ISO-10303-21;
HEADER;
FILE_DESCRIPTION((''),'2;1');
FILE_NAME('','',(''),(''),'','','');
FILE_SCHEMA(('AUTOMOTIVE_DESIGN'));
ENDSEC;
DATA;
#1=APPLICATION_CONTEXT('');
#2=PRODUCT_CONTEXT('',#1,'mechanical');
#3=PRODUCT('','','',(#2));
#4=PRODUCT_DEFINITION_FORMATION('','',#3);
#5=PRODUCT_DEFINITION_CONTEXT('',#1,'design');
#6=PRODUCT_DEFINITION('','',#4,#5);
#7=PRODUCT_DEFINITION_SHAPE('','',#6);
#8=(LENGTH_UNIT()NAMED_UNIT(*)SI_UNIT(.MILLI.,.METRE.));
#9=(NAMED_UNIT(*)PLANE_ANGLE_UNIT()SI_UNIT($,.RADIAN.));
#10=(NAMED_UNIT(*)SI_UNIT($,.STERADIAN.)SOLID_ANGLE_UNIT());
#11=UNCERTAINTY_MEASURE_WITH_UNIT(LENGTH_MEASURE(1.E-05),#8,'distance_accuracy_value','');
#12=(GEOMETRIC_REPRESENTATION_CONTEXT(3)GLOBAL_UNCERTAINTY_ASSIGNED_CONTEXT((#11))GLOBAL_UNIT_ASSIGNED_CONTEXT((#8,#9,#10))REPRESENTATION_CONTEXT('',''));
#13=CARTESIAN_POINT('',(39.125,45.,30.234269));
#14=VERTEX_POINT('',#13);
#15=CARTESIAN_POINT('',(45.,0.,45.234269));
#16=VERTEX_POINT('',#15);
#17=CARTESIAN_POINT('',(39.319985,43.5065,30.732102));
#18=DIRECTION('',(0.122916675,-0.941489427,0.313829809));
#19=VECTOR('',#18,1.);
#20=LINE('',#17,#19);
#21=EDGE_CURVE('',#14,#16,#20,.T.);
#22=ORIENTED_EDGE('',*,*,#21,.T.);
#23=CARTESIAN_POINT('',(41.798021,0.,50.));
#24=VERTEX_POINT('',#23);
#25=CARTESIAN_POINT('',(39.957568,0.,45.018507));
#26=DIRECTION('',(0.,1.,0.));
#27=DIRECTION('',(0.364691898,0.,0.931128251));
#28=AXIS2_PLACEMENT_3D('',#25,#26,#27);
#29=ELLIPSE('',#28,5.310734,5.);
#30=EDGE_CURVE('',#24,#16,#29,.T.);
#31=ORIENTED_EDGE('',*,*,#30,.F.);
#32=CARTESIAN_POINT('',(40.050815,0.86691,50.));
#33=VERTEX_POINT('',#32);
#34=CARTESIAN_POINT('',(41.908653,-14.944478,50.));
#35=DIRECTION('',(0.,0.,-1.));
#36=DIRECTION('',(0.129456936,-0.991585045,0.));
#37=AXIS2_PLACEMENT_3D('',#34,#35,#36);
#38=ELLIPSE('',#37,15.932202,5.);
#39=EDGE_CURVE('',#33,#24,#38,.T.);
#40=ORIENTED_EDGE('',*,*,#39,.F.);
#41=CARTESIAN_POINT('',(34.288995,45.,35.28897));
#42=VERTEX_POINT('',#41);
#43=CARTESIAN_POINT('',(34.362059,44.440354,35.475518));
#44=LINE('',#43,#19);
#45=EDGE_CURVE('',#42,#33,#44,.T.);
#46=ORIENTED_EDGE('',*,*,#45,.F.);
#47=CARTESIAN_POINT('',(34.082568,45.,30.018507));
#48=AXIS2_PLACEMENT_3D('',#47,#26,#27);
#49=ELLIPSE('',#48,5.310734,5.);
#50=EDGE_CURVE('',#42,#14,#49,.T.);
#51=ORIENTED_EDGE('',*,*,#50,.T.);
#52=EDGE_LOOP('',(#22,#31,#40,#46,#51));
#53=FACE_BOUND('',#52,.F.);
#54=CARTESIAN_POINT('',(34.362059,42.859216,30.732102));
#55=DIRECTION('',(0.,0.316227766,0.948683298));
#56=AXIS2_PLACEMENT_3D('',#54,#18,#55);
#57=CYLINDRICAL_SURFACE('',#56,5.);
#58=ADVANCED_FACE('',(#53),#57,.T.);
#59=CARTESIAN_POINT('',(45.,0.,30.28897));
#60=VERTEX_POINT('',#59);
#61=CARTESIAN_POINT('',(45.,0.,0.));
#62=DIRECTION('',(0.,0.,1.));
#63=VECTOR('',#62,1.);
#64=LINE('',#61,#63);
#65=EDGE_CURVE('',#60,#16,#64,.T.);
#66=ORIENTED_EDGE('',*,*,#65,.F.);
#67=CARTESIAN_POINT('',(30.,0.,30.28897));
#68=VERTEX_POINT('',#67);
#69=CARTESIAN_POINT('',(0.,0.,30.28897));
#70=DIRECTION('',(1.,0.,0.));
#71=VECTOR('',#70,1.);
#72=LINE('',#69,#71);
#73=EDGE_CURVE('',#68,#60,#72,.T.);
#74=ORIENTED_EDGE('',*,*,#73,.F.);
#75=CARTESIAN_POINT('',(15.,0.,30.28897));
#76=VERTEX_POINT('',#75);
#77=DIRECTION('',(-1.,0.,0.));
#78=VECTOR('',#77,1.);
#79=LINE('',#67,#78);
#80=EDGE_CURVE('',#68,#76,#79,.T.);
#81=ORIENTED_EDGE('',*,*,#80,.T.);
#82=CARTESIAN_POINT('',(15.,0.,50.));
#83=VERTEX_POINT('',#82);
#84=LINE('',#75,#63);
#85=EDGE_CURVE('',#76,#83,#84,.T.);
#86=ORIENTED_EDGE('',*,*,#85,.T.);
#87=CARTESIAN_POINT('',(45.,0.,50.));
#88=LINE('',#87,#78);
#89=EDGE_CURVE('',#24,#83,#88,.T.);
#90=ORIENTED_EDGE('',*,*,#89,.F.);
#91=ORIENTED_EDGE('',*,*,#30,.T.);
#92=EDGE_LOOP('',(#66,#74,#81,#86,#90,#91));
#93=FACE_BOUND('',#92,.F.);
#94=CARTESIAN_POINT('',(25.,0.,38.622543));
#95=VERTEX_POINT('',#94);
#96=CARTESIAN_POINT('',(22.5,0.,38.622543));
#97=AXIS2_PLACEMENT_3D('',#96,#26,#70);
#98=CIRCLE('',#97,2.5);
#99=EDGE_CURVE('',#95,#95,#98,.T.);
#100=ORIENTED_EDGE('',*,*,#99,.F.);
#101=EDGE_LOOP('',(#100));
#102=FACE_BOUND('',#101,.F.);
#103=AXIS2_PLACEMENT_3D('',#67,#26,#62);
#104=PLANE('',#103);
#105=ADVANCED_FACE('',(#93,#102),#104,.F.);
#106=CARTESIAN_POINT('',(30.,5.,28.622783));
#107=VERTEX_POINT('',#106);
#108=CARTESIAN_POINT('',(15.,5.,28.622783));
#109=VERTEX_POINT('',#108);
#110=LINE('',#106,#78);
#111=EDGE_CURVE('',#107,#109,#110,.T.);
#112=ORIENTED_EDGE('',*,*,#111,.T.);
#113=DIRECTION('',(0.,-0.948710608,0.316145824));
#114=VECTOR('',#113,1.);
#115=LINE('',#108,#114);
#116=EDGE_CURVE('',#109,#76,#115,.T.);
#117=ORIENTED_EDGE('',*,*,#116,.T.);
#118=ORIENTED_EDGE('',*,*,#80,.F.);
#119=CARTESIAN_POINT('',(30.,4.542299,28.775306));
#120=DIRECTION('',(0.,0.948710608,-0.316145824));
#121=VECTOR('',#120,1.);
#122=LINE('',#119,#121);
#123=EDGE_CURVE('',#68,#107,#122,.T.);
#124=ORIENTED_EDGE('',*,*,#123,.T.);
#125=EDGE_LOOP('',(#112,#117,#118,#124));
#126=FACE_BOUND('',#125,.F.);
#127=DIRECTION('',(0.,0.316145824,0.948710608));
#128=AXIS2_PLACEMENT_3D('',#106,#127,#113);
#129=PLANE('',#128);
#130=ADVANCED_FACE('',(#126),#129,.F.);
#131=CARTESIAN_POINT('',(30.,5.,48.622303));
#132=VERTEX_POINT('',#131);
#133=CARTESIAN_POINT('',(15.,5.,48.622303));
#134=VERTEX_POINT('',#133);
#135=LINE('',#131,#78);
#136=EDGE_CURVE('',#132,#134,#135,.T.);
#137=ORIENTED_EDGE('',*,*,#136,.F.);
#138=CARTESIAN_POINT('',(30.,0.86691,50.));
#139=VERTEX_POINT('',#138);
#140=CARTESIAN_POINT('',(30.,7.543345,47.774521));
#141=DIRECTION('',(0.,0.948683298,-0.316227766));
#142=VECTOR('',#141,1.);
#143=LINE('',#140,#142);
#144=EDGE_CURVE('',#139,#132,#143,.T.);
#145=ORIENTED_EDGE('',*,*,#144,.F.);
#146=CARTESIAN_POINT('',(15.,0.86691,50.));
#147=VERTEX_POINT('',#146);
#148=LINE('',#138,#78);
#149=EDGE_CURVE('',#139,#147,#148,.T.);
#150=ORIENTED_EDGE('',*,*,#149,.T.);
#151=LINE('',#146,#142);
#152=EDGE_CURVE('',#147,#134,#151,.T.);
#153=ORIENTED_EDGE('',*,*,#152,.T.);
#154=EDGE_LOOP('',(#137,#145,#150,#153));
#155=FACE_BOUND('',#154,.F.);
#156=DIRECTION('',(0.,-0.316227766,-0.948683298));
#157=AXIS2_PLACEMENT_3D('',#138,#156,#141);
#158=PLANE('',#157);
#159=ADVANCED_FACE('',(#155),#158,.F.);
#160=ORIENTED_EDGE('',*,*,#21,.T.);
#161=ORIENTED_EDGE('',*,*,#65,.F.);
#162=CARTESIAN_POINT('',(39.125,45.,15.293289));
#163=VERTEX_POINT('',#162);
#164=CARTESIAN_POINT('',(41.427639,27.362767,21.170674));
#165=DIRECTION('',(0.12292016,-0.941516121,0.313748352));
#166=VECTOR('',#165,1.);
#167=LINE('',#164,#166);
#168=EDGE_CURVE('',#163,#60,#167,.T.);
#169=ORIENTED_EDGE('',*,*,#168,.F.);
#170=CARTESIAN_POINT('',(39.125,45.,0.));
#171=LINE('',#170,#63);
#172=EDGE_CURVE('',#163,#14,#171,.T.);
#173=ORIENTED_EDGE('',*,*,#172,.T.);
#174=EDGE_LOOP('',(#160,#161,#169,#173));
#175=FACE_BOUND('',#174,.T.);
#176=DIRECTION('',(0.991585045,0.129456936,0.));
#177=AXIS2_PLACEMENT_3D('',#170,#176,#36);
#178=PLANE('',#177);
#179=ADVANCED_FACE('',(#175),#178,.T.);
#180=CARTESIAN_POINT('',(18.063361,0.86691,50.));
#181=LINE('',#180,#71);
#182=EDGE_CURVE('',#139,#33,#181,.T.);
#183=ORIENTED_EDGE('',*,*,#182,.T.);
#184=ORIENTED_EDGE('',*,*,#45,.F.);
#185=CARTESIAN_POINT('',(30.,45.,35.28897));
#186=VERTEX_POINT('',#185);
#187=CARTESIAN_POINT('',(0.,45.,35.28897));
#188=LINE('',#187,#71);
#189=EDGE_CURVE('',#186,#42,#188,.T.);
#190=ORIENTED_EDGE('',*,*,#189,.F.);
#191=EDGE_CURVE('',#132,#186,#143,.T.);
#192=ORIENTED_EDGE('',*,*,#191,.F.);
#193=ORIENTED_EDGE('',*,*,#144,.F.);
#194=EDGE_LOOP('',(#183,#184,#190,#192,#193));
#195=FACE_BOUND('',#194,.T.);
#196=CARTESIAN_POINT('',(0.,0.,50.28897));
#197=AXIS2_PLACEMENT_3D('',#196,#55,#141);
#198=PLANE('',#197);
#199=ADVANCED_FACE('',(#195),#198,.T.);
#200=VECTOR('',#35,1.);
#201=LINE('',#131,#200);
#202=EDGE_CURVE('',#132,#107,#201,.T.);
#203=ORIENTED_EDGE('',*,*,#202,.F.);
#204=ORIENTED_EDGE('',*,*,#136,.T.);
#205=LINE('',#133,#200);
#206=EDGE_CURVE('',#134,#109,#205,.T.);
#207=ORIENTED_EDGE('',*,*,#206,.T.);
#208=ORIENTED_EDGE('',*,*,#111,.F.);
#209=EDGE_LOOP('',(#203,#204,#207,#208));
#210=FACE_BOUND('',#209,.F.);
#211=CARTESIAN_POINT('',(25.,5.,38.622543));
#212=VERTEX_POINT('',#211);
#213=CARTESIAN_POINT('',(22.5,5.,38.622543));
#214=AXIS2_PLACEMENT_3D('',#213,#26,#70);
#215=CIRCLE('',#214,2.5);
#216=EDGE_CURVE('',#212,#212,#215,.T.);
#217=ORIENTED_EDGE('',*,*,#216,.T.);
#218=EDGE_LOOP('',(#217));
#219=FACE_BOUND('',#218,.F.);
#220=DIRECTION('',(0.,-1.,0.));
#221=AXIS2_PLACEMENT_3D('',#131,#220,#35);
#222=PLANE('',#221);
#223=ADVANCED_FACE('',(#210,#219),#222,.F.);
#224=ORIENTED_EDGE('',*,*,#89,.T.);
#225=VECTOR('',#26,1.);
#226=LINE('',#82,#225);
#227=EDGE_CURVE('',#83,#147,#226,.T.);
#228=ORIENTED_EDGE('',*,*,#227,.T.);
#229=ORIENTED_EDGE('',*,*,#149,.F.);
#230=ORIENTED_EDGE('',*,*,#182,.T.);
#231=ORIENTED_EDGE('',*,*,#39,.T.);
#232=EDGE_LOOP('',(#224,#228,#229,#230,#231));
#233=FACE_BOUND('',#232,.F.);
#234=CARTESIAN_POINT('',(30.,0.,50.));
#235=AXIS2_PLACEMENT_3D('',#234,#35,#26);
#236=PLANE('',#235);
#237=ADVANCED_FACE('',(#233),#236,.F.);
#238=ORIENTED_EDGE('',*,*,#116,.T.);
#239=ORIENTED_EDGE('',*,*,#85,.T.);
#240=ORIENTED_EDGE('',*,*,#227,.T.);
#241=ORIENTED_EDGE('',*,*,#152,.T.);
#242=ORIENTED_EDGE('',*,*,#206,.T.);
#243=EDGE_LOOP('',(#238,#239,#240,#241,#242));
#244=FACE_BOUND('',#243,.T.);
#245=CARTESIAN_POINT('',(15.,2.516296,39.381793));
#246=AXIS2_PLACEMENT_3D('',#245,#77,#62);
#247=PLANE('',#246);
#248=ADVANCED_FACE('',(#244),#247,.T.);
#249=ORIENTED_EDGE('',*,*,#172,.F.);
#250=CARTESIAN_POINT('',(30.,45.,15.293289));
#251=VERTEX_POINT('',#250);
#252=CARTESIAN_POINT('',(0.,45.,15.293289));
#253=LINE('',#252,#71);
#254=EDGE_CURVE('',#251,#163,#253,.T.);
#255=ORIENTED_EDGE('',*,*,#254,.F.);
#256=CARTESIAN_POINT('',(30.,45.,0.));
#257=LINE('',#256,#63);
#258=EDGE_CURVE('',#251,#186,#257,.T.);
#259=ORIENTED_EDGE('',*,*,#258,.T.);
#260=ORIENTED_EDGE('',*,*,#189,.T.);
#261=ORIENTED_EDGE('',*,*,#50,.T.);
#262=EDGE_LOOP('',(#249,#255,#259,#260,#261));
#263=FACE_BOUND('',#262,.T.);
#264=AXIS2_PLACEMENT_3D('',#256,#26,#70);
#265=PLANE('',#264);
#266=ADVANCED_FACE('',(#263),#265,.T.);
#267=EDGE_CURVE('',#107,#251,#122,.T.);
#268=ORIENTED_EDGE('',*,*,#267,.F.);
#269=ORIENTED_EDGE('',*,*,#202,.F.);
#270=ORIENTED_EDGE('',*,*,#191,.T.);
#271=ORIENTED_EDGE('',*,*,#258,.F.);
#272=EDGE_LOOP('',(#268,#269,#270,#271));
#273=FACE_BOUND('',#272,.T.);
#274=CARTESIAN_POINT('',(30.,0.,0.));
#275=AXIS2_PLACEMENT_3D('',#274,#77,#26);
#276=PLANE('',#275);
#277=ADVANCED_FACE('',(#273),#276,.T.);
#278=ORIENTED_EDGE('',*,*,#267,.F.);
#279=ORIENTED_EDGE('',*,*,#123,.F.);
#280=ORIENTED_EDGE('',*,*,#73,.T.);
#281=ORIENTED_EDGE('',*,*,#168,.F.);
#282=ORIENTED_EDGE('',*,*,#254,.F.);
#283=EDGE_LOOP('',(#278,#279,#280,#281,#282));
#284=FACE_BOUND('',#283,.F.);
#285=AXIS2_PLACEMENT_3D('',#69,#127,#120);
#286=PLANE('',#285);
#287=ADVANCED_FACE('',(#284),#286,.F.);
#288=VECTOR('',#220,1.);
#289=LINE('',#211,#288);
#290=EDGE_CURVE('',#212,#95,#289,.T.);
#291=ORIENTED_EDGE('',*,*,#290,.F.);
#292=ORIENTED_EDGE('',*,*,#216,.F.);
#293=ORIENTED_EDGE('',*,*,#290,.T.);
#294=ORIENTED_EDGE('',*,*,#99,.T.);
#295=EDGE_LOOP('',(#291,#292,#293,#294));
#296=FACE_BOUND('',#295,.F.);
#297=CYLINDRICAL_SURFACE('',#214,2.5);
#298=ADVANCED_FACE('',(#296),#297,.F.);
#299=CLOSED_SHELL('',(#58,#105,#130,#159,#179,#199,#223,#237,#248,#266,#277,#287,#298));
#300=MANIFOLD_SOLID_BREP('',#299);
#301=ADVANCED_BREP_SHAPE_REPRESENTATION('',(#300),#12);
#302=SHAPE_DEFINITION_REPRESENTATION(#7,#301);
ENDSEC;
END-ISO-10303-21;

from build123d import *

# Parameters (mm, degrees)
EXTRUDE_1_DEPTH     = 50
CUT_EXTRUDE_3_DEPTH = 58
EXTRUDE_2_DEPTH     = 15
FILLET_1_R          = 5
SKETCH_6_R          = 2.5
CUT_EXTRUDE_4_DEPTH = 15


with BuildPart() as part:
    # Sketch 2 → Extrude 1 (new body)
    with BuildSketch(Plane.XY):
        Polygon((39.125, 45), (45, 0), (30, 0), (30, 45), align=None)
    extrude(amount=EXTRUDE_1_DEPTH)

    # Sketch 4 → Cut-Extrude 3 (cut)
    with BuildSketch(Plane(origin=(0, 0, 0), x_dir=(0, 0, -1), z_dir=(1, 0, 0))):
        Polygon((-50.288969981, 45), (-50.288969981, 0), (-35.288969981, 45), align=None)
        Polygon((0, 0), (-30.288969981, 0), (-15.293288519, 45), (0, 45), align=None)
    extrude(amount=CUT_EXTRUDE_3_DEPTH, mode=Mode.SUBTRACT)

    # Sketch 5 → Extrude 2 (add)
    with BuildSketch(Plane.ZY.offset(-30)):
        Polygon((30.288969981, 0), (50, 0), (50, 0.866909943), (48.622303314, 5), (28.622783152, 5), align=None)
    extrude(amount=EXTRUDE_2_DEPTH)

    # Fillet 1
    fillet_1_edges = [part.edges().sort_by_distance(p)[0] for p in [
        (42.005910045, 22.933454972, 42.644484991),
    ]]
    fillet(fillet_1_edges, radius=FILLET_1_R)

    # Sketch 6 → Cut-Extrude 4 (cut)
    with BuildSketch(Plane(origin=(0, 5, 0), x_dir=(1, 0, 0), z_dir=(0, 1, 0))):
        with Locations((22.5, -38.622543233)):
            Circle(SKETCH_6_R)
    extrude(amount=-CUT_EXTRUDE_4_DEPTH, mode=Mode.SUBTRACT)


solid = part.part
